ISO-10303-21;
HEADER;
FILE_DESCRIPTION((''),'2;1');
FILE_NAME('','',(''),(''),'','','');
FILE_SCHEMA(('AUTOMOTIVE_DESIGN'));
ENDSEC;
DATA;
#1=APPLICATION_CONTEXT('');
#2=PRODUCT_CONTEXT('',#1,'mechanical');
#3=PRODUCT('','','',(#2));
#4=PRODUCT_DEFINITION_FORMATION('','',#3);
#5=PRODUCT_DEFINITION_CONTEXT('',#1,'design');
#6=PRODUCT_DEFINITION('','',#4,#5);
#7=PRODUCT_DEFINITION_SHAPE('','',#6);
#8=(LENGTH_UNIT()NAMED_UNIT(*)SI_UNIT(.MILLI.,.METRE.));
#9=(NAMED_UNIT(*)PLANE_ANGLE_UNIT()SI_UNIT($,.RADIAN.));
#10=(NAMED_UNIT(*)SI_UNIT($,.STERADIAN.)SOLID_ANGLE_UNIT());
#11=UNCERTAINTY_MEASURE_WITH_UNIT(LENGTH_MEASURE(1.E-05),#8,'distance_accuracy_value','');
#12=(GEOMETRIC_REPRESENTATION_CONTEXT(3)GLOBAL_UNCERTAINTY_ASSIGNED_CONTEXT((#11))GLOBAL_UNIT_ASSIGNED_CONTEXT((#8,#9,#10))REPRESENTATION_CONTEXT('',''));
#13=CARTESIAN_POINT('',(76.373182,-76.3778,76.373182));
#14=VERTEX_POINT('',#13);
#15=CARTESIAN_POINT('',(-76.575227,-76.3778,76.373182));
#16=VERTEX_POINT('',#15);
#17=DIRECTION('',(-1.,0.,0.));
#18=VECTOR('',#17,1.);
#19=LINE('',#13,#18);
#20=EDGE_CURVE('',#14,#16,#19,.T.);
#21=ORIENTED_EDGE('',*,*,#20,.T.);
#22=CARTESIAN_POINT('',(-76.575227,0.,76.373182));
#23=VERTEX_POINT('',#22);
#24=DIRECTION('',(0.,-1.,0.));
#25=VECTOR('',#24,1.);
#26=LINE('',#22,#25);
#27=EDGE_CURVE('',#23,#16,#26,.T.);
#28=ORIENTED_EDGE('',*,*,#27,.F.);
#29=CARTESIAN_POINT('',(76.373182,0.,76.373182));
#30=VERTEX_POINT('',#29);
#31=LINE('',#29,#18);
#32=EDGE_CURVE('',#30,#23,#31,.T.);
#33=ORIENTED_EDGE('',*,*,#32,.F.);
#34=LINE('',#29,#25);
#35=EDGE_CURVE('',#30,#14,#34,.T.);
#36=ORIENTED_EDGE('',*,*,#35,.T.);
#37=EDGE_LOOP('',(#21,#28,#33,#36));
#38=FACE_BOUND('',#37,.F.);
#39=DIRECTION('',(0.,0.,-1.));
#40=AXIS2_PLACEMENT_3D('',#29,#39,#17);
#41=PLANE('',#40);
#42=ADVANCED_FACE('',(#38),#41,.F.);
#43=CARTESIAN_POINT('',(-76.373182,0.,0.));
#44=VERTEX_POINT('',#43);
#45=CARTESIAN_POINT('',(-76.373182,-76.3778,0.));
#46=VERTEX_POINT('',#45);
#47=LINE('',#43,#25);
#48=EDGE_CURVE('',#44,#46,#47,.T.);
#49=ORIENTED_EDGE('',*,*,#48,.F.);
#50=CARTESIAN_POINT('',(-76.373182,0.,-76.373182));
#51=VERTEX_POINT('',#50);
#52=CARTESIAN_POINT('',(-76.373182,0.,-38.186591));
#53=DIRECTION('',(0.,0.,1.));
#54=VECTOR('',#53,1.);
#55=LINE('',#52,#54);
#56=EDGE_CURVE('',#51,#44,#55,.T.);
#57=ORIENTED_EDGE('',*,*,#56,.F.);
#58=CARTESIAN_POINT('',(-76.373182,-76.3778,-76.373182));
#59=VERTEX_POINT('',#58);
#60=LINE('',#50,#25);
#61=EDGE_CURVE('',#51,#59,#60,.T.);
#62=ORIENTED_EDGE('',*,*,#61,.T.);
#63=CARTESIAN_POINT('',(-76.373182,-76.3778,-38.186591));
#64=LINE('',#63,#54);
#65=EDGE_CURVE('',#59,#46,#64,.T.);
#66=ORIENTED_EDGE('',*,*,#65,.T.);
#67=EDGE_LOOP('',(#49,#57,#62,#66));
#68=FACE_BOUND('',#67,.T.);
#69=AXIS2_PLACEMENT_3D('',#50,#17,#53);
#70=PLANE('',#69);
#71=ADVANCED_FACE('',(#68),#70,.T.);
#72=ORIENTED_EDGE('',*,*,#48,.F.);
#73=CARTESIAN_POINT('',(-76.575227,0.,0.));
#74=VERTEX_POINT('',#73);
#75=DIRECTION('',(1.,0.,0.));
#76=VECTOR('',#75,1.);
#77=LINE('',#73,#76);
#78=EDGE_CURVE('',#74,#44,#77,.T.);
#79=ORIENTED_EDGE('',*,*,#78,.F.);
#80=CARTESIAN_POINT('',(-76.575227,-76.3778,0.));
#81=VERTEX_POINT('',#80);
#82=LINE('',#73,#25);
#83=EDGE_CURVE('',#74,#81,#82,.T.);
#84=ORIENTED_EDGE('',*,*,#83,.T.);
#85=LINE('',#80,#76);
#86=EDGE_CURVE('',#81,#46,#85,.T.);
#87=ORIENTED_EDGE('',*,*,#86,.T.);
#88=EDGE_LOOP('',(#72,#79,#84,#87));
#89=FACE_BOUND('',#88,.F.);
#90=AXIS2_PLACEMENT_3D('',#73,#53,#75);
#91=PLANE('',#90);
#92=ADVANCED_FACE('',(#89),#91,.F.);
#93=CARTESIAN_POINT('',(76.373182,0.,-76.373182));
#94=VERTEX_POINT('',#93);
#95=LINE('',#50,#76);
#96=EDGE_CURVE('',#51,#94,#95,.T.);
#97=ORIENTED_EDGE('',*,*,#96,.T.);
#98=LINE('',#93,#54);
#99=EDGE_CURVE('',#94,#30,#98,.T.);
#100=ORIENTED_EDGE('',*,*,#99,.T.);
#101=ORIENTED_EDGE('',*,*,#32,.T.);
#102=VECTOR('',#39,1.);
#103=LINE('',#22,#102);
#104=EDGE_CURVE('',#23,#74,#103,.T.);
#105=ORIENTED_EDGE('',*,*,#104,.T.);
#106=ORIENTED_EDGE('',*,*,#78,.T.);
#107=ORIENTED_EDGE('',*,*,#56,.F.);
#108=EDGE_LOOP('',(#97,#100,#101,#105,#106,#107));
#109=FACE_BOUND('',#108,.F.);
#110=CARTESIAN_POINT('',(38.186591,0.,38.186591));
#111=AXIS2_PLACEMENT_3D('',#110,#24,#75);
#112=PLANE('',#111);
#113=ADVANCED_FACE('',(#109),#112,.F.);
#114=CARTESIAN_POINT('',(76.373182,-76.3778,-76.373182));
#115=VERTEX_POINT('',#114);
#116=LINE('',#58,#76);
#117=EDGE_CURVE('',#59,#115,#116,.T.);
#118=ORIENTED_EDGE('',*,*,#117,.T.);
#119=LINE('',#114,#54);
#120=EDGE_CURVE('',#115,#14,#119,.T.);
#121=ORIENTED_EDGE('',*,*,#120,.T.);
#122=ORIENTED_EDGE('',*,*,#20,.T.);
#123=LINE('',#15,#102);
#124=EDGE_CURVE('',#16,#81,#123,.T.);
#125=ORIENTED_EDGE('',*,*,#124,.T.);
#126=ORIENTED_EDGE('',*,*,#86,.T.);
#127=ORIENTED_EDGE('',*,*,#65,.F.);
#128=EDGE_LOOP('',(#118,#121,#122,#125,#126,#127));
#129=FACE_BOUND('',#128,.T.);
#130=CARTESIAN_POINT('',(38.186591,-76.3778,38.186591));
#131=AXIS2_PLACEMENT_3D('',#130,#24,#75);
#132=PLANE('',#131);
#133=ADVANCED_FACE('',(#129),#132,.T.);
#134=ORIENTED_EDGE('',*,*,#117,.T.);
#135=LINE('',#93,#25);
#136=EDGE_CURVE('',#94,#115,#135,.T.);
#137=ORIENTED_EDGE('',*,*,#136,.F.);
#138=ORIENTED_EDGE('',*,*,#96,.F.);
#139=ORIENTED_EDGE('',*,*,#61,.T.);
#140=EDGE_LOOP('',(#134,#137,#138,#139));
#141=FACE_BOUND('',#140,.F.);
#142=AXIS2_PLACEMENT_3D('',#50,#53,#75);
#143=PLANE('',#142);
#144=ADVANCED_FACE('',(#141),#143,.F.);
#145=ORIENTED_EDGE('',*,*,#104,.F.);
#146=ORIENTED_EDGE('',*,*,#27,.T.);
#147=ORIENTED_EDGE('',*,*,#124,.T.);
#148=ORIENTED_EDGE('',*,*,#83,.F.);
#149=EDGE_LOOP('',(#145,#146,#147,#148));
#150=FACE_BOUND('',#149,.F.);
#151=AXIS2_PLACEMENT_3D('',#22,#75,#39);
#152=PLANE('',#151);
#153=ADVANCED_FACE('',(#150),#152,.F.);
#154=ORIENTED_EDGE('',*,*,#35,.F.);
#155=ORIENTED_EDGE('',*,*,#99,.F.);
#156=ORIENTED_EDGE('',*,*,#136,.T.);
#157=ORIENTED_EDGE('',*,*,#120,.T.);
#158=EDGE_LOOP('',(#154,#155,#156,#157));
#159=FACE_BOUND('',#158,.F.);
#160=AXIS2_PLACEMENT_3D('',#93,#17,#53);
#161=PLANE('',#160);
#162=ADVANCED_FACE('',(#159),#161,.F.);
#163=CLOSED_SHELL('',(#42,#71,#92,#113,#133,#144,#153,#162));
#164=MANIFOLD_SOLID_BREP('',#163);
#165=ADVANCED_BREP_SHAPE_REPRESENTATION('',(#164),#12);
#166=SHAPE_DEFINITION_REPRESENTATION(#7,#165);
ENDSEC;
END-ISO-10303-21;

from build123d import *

# Parameters (mm, degrees)
F0_W     = 76.373182
F0_H     = 76.373182
F1_DEPTH = 76.3778


with BuildPart() as f1:
    # F0 (on Front) → F1 (new body)
    with BuildSketch(Plane.XZ):
        with Locations((38.186591, 38.186591)):
            Rectangle(F0_W, F0_H)
        Polygon((-76.373182, 0), (0, 0), (0, 76.373182), (-76.575227, 76.373182), (-76.575227, 0), align=None)
        with Locations((-38.186591, -38.186591)):
            Rectangle(F0_W, F0_H)
        with Locations((38.186591, -38.186591)):
            Rectangle(F0_W, F0_H)
    extrude(amount=F1_DEPTH)


solid = f1.part
